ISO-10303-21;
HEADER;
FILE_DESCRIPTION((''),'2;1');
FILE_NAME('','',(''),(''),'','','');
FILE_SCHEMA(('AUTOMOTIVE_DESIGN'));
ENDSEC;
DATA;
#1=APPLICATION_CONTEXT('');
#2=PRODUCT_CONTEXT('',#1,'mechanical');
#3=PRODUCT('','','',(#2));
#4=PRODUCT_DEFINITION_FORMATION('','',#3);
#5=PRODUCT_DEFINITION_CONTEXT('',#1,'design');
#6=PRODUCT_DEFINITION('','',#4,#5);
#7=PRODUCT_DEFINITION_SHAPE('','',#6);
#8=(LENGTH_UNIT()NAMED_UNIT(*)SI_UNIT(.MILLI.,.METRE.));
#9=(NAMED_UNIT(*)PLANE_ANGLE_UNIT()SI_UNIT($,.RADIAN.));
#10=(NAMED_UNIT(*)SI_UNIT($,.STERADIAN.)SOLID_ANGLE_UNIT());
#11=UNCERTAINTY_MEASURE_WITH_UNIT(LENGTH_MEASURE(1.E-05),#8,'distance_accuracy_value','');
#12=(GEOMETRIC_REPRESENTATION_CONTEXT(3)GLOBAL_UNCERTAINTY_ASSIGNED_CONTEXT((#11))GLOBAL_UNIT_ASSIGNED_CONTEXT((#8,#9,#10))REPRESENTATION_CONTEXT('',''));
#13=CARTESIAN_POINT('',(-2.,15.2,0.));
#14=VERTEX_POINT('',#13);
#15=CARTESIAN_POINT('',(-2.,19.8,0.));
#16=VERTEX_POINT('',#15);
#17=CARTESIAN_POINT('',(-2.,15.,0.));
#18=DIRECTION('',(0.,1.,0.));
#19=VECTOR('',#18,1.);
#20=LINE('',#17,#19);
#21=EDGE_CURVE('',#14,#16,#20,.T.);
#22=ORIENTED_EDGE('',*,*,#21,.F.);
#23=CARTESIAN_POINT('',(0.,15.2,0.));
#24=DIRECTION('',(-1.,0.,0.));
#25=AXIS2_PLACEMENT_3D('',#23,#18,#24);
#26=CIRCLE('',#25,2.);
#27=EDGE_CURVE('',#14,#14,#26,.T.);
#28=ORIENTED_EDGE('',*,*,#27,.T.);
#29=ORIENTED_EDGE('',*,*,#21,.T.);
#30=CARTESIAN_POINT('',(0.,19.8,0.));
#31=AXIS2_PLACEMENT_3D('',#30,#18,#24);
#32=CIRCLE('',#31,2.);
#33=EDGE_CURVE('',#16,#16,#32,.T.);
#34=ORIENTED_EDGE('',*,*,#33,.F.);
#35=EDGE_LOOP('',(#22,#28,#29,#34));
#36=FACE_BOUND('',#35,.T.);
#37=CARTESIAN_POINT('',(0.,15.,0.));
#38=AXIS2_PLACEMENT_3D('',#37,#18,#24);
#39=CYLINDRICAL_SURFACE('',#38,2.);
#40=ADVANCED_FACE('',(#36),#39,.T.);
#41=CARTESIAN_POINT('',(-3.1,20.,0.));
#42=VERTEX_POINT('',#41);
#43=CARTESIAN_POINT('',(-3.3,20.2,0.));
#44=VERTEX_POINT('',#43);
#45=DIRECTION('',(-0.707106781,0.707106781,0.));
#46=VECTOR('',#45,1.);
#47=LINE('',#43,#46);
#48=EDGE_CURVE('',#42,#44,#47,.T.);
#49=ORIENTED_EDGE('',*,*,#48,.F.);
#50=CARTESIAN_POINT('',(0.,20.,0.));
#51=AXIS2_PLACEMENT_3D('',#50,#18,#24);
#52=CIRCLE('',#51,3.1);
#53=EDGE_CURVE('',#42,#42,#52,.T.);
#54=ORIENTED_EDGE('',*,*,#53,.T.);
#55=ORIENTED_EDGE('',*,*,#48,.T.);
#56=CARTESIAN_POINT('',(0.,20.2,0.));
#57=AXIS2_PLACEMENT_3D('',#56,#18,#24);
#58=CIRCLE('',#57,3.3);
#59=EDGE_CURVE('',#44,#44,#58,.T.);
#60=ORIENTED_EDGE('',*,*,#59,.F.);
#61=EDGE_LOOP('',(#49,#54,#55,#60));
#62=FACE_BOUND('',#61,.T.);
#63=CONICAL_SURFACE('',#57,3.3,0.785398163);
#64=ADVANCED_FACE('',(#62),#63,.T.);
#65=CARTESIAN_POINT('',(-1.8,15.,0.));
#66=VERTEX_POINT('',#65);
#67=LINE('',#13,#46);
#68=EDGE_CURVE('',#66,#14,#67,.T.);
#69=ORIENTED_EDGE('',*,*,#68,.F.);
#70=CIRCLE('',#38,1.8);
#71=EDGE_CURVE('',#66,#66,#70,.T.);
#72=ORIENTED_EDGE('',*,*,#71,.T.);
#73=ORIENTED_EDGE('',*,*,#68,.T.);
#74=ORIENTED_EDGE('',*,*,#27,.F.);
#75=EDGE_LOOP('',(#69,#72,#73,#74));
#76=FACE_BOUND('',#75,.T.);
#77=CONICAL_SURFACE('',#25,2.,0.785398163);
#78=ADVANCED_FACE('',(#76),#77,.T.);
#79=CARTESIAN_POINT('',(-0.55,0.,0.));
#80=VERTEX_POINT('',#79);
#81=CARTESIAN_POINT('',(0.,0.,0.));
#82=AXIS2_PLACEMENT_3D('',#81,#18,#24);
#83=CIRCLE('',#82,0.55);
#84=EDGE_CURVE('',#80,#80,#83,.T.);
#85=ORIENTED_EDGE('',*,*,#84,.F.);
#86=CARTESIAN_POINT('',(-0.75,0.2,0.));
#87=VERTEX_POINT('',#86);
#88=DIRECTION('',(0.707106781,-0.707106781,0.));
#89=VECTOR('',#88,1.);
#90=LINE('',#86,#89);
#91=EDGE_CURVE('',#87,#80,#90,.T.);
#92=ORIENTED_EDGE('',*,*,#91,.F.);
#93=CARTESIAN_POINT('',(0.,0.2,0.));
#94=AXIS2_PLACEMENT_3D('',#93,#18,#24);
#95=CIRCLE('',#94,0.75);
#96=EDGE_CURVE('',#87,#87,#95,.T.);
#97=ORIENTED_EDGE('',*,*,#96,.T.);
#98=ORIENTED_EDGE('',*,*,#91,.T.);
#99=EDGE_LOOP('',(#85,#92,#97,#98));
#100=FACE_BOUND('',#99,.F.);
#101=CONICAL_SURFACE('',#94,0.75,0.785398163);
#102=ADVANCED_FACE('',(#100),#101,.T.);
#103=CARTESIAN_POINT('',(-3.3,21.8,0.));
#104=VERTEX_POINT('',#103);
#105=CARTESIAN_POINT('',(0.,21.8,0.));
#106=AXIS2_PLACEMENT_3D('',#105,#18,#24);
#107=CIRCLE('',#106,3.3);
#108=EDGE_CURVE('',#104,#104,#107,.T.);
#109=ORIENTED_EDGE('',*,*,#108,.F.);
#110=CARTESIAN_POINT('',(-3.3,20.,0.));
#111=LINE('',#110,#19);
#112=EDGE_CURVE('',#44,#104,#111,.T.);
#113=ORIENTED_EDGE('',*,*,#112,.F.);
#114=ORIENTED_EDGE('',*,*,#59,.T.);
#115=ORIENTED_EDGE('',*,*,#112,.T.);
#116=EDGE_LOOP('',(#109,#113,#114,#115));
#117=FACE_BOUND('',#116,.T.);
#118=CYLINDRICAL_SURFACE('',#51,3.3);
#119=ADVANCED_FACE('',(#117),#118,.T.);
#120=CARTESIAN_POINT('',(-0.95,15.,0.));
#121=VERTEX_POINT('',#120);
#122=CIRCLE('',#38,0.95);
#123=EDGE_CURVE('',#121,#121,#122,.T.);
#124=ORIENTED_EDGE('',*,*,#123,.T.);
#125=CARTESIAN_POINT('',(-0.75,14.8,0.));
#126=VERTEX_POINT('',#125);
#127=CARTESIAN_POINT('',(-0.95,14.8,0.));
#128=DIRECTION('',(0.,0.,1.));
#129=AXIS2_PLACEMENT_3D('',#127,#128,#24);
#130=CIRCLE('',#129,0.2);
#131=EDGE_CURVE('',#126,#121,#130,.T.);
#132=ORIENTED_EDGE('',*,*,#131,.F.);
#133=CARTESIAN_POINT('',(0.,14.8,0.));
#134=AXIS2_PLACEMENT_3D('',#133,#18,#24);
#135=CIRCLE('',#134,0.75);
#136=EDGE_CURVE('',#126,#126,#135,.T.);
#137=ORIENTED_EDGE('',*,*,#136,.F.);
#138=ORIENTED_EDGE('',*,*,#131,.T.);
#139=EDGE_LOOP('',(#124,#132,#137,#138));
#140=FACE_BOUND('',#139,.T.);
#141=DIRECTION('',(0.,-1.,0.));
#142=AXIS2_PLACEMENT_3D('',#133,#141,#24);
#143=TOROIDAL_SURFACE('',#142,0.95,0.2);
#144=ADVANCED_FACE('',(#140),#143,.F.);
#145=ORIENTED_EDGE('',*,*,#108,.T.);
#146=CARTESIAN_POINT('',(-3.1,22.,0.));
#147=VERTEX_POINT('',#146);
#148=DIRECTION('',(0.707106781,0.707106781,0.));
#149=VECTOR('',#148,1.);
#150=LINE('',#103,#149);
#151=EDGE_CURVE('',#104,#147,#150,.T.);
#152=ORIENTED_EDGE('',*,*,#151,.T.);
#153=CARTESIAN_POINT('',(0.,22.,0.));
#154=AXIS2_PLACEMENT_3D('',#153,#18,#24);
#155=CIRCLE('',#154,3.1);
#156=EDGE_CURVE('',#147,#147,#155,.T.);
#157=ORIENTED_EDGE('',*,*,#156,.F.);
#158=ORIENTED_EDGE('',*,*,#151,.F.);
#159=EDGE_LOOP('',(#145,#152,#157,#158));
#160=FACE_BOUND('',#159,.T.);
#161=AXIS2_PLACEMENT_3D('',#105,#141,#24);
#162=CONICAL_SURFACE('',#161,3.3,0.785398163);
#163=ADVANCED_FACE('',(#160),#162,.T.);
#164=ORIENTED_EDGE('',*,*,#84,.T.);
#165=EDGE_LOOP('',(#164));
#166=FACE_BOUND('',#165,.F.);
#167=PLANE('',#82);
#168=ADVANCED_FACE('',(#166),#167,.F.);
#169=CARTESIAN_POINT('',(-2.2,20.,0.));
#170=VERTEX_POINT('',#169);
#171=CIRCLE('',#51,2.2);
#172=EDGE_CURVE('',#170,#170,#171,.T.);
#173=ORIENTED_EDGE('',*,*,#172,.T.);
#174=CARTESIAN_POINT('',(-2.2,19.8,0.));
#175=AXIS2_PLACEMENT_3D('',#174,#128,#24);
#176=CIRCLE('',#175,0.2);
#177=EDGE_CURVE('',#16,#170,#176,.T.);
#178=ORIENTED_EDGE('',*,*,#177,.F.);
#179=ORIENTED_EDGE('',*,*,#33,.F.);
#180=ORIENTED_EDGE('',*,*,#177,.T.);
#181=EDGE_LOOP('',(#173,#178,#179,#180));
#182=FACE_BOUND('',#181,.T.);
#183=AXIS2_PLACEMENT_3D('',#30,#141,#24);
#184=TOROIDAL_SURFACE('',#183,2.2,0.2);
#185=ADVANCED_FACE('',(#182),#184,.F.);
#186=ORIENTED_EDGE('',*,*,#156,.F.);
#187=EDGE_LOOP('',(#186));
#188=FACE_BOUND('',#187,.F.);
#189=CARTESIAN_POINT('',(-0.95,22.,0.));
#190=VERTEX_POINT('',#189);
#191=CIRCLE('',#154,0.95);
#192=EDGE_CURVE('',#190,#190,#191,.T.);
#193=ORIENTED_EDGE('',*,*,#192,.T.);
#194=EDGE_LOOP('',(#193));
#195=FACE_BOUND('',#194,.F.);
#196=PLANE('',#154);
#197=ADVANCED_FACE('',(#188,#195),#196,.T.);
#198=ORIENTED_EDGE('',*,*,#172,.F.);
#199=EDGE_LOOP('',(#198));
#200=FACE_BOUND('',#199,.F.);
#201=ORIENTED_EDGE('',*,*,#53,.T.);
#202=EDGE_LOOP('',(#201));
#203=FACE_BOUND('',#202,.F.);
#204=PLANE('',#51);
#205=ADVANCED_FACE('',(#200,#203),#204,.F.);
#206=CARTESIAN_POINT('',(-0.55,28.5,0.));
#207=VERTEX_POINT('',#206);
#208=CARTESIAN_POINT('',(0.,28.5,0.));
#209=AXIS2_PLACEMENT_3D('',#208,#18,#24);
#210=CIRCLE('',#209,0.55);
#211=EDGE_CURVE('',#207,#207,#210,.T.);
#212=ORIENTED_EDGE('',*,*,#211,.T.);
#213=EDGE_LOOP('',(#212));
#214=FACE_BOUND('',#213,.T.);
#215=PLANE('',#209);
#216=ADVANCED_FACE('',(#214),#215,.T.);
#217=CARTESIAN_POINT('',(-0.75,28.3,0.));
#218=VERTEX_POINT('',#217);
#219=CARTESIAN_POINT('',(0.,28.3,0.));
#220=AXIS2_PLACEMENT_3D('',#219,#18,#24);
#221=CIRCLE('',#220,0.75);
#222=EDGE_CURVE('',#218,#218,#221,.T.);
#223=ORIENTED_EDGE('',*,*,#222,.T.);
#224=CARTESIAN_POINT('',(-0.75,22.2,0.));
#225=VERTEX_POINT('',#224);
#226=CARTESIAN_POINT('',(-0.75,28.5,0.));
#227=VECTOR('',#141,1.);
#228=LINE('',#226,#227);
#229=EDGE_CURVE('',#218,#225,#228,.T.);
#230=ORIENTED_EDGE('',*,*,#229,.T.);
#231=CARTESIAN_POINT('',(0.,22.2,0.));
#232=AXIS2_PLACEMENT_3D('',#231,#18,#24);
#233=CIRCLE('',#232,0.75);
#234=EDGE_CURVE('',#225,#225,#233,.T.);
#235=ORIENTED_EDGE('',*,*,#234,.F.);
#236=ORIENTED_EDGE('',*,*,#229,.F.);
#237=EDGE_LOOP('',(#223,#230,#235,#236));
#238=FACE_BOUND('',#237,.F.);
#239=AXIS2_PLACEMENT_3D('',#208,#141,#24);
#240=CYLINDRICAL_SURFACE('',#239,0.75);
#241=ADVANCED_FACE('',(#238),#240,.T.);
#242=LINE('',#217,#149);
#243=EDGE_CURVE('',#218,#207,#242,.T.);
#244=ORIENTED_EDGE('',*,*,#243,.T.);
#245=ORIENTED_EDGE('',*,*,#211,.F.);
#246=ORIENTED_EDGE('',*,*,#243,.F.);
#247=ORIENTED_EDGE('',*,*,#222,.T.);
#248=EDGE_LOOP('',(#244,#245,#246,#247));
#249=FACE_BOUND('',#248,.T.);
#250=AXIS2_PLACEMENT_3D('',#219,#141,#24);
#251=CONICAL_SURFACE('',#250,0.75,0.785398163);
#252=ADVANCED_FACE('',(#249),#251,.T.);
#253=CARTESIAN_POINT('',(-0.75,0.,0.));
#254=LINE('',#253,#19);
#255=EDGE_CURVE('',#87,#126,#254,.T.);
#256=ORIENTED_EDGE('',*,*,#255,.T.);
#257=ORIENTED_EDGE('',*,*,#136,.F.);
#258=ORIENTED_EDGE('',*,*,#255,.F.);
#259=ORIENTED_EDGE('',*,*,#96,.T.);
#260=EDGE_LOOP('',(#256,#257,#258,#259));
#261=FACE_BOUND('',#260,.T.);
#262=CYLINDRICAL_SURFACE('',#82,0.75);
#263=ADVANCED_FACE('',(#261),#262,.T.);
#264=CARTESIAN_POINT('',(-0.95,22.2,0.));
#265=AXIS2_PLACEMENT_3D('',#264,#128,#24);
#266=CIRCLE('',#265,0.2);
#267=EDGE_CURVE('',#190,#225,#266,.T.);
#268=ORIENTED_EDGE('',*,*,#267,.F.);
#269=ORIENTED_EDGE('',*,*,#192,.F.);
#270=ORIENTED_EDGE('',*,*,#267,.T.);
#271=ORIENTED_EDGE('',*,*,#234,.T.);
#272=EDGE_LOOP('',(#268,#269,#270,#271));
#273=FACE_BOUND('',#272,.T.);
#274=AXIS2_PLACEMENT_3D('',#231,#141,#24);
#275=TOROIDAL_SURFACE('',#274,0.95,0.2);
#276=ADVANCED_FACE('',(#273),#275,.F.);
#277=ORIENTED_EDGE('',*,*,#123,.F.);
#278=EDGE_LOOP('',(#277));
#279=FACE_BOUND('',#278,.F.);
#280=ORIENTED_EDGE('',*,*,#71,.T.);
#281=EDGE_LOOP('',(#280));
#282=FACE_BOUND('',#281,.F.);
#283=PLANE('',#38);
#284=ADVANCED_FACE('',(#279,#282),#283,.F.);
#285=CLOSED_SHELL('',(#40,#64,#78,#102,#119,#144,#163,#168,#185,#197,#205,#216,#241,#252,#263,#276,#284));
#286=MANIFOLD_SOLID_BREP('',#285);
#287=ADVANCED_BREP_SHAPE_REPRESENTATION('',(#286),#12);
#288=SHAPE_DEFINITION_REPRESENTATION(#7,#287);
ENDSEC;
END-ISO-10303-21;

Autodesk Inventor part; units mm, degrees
ref_plane "YZ Plane" through (0, 0, 0) normal (1, 0, 0) x (0, 1, 0)
ref_plane "XZ Plane" through (0, 0, 0) normal (0, 1, 0) x (-1, 0, 0)
ref_plane "XY Plane" through (0, 0, 0) normal (0, 0, 1) x (1, 0, 0)
sketch "Skizze1" plane through (0, 0, 0) normal (0, 0, 1) x (1, 0, 0)
  line L0 (-0.75, 28.5) -> (0, 28.5)
  line L1 (-3.3, 20) -> (-2, 20)
  line L2 (-2, 15) -> (-0.75, 15)
  line L3 (0, 28.5) -> (0, 0)
  line L4 (-0.75, 0) -> (-0.75, 15)
  line L5 (-2, 15) -> (-2, 20)
  line L6 (-3.3, 20) -> (-3.3, 22)
  line L7 (-0.75, 28.5) -> (-0.75, 22)
  line L8 (-0.75, 0) -> (0, 0)
  line L9 (-3.96, 0) -> (0.66, 0) projected
  line L10 (0, -5.7) -> (0, 34.2) projected
  line L11 (-0.75, 22) -> (-3.3, 22)
  point P0 (0, 0)
  dimension "d0" = 1.5
  dimension "d1" = 4
  dimension "d2" = 6.6
  dimension "d3" = 1.5
  dimension "d5" = 5
  dimension "d6" = 15
  dimension "d9" = 6.5
  dimension "d10" = 2
revolve "Umdrehung1" add sketch "Skizze1" angle 360 about axis through (0, -10, 0) along (0, 1, 0)
fillet "Rundung1" radius 0.2 3 edges at (0.75, 15, 0) (2, 20, 0) (0.75, 22, 0)
chamfer "Fase1" distance 0.2 angle 45 5 edges at (0.75, 0, 0) (2, 15, 0) (3.3, 20, 0) (3.3, 22, 0) (0.75, 28.5, 0)
properties part number "YTP-AP-E17-R1.0"
